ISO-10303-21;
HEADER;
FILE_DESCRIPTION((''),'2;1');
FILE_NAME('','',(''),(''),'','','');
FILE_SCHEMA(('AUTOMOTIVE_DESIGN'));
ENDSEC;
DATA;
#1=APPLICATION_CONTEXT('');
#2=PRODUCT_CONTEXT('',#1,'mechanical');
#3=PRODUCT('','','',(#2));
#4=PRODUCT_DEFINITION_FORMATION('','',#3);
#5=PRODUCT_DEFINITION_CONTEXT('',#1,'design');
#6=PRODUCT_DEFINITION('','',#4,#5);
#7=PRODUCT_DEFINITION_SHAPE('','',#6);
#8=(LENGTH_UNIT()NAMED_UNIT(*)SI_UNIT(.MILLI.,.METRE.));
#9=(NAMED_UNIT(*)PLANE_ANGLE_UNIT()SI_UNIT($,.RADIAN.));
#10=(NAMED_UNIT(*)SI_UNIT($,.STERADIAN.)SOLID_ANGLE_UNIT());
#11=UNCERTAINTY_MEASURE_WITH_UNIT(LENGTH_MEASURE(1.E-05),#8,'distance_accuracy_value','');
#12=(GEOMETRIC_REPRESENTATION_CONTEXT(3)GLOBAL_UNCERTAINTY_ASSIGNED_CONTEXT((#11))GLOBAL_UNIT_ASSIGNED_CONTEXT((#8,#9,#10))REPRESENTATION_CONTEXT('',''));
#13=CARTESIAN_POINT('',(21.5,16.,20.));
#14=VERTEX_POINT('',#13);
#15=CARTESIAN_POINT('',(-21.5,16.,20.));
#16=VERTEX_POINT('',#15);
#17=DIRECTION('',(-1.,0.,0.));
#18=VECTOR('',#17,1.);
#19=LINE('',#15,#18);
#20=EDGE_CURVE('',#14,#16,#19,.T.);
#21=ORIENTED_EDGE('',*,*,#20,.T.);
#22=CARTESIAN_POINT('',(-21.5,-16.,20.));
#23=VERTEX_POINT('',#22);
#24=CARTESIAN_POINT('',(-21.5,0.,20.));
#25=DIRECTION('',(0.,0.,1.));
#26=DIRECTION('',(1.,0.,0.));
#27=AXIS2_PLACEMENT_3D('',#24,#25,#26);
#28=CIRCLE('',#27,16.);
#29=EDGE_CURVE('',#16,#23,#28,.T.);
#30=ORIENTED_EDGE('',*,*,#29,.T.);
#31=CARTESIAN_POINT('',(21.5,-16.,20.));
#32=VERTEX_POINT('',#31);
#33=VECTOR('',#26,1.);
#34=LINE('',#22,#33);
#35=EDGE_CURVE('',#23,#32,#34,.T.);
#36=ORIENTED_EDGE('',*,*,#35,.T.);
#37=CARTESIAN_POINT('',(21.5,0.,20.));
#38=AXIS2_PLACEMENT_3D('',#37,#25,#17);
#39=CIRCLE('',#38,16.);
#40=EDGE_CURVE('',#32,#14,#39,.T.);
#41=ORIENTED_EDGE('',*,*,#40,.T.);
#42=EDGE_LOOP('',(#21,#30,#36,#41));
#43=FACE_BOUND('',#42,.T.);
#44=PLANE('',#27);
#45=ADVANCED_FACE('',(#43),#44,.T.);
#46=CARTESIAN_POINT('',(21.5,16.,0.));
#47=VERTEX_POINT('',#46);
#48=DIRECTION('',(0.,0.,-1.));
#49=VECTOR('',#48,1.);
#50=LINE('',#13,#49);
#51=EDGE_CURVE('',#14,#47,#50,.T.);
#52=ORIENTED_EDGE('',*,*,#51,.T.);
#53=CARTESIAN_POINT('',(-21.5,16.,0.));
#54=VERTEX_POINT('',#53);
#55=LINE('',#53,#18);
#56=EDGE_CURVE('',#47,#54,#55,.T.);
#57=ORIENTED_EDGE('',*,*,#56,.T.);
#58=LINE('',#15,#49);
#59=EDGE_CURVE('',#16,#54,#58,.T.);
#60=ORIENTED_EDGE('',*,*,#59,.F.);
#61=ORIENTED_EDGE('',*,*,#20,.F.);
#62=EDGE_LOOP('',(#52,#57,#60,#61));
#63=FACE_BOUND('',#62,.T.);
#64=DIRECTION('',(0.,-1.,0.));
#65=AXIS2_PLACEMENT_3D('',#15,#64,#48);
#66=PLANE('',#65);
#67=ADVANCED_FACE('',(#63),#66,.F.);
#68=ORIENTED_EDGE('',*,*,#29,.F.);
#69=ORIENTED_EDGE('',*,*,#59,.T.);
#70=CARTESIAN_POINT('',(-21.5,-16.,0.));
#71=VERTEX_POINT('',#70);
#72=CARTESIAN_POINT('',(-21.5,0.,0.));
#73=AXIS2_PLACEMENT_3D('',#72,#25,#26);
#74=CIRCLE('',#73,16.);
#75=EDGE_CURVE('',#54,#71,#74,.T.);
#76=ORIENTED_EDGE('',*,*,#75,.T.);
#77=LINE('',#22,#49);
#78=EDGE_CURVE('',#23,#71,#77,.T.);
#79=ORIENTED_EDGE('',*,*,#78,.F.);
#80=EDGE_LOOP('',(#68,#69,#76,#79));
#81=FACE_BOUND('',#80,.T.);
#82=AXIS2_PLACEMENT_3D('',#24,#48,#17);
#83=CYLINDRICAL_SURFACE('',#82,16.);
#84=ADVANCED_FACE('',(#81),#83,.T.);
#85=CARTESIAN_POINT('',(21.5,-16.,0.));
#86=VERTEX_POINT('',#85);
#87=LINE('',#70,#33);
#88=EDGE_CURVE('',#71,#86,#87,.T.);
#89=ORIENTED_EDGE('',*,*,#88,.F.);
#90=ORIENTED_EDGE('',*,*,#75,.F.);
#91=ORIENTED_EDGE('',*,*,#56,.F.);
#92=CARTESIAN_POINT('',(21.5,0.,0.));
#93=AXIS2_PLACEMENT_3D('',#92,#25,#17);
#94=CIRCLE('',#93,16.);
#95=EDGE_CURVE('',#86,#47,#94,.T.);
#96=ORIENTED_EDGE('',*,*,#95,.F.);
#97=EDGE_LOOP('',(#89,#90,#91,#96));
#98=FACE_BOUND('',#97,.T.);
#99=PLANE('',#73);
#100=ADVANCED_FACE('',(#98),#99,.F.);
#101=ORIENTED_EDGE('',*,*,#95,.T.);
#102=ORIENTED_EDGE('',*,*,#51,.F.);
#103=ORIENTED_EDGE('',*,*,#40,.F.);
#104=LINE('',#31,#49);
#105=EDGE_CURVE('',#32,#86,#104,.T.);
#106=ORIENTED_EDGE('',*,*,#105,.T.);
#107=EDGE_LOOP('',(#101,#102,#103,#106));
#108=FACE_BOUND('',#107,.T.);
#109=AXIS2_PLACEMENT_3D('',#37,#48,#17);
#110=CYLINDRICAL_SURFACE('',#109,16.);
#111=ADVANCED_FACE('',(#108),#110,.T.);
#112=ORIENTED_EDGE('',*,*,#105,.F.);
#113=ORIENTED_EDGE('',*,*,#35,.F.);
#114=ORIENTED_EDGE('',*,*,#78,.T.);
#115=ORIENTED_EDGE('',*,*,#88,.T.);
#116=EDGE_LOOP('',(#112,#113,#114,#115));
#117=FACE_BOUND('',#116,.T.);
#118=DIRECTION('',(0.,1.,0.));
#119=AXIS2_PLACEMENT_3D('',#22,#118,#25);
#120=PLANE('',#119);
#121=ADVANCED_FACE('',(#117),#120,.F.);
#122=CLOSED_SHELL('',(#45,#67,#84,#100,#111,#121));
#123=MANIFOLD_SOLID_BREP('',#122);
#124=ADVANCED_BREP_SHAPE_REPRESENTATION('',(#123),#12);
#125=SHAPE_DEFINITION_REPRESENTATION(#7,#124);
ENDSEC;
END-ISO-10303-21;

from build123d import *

# Parameters (mm, degrees)
EXTRUDE_1_DEPTH = 20


with BuildPart() as part:
    # 草图1 → 拉伸1 (new body)
    with BuildSketch(Plane.XY):
        with BuildLine():
            Line((-21.5, 16), (21.5, 16))
            ThreePointArc((21.5, 16), (37.5, 0), (21.5, -16))
            Line((21.5, -16), (-21.5, -16))
            ThreePointArc((-21.5, -16), (-37.5, 0), (-21.5, 16))
        make_face()
    extrude(amount=EXTRUDE_1_DEPTH)


solid = part.part
